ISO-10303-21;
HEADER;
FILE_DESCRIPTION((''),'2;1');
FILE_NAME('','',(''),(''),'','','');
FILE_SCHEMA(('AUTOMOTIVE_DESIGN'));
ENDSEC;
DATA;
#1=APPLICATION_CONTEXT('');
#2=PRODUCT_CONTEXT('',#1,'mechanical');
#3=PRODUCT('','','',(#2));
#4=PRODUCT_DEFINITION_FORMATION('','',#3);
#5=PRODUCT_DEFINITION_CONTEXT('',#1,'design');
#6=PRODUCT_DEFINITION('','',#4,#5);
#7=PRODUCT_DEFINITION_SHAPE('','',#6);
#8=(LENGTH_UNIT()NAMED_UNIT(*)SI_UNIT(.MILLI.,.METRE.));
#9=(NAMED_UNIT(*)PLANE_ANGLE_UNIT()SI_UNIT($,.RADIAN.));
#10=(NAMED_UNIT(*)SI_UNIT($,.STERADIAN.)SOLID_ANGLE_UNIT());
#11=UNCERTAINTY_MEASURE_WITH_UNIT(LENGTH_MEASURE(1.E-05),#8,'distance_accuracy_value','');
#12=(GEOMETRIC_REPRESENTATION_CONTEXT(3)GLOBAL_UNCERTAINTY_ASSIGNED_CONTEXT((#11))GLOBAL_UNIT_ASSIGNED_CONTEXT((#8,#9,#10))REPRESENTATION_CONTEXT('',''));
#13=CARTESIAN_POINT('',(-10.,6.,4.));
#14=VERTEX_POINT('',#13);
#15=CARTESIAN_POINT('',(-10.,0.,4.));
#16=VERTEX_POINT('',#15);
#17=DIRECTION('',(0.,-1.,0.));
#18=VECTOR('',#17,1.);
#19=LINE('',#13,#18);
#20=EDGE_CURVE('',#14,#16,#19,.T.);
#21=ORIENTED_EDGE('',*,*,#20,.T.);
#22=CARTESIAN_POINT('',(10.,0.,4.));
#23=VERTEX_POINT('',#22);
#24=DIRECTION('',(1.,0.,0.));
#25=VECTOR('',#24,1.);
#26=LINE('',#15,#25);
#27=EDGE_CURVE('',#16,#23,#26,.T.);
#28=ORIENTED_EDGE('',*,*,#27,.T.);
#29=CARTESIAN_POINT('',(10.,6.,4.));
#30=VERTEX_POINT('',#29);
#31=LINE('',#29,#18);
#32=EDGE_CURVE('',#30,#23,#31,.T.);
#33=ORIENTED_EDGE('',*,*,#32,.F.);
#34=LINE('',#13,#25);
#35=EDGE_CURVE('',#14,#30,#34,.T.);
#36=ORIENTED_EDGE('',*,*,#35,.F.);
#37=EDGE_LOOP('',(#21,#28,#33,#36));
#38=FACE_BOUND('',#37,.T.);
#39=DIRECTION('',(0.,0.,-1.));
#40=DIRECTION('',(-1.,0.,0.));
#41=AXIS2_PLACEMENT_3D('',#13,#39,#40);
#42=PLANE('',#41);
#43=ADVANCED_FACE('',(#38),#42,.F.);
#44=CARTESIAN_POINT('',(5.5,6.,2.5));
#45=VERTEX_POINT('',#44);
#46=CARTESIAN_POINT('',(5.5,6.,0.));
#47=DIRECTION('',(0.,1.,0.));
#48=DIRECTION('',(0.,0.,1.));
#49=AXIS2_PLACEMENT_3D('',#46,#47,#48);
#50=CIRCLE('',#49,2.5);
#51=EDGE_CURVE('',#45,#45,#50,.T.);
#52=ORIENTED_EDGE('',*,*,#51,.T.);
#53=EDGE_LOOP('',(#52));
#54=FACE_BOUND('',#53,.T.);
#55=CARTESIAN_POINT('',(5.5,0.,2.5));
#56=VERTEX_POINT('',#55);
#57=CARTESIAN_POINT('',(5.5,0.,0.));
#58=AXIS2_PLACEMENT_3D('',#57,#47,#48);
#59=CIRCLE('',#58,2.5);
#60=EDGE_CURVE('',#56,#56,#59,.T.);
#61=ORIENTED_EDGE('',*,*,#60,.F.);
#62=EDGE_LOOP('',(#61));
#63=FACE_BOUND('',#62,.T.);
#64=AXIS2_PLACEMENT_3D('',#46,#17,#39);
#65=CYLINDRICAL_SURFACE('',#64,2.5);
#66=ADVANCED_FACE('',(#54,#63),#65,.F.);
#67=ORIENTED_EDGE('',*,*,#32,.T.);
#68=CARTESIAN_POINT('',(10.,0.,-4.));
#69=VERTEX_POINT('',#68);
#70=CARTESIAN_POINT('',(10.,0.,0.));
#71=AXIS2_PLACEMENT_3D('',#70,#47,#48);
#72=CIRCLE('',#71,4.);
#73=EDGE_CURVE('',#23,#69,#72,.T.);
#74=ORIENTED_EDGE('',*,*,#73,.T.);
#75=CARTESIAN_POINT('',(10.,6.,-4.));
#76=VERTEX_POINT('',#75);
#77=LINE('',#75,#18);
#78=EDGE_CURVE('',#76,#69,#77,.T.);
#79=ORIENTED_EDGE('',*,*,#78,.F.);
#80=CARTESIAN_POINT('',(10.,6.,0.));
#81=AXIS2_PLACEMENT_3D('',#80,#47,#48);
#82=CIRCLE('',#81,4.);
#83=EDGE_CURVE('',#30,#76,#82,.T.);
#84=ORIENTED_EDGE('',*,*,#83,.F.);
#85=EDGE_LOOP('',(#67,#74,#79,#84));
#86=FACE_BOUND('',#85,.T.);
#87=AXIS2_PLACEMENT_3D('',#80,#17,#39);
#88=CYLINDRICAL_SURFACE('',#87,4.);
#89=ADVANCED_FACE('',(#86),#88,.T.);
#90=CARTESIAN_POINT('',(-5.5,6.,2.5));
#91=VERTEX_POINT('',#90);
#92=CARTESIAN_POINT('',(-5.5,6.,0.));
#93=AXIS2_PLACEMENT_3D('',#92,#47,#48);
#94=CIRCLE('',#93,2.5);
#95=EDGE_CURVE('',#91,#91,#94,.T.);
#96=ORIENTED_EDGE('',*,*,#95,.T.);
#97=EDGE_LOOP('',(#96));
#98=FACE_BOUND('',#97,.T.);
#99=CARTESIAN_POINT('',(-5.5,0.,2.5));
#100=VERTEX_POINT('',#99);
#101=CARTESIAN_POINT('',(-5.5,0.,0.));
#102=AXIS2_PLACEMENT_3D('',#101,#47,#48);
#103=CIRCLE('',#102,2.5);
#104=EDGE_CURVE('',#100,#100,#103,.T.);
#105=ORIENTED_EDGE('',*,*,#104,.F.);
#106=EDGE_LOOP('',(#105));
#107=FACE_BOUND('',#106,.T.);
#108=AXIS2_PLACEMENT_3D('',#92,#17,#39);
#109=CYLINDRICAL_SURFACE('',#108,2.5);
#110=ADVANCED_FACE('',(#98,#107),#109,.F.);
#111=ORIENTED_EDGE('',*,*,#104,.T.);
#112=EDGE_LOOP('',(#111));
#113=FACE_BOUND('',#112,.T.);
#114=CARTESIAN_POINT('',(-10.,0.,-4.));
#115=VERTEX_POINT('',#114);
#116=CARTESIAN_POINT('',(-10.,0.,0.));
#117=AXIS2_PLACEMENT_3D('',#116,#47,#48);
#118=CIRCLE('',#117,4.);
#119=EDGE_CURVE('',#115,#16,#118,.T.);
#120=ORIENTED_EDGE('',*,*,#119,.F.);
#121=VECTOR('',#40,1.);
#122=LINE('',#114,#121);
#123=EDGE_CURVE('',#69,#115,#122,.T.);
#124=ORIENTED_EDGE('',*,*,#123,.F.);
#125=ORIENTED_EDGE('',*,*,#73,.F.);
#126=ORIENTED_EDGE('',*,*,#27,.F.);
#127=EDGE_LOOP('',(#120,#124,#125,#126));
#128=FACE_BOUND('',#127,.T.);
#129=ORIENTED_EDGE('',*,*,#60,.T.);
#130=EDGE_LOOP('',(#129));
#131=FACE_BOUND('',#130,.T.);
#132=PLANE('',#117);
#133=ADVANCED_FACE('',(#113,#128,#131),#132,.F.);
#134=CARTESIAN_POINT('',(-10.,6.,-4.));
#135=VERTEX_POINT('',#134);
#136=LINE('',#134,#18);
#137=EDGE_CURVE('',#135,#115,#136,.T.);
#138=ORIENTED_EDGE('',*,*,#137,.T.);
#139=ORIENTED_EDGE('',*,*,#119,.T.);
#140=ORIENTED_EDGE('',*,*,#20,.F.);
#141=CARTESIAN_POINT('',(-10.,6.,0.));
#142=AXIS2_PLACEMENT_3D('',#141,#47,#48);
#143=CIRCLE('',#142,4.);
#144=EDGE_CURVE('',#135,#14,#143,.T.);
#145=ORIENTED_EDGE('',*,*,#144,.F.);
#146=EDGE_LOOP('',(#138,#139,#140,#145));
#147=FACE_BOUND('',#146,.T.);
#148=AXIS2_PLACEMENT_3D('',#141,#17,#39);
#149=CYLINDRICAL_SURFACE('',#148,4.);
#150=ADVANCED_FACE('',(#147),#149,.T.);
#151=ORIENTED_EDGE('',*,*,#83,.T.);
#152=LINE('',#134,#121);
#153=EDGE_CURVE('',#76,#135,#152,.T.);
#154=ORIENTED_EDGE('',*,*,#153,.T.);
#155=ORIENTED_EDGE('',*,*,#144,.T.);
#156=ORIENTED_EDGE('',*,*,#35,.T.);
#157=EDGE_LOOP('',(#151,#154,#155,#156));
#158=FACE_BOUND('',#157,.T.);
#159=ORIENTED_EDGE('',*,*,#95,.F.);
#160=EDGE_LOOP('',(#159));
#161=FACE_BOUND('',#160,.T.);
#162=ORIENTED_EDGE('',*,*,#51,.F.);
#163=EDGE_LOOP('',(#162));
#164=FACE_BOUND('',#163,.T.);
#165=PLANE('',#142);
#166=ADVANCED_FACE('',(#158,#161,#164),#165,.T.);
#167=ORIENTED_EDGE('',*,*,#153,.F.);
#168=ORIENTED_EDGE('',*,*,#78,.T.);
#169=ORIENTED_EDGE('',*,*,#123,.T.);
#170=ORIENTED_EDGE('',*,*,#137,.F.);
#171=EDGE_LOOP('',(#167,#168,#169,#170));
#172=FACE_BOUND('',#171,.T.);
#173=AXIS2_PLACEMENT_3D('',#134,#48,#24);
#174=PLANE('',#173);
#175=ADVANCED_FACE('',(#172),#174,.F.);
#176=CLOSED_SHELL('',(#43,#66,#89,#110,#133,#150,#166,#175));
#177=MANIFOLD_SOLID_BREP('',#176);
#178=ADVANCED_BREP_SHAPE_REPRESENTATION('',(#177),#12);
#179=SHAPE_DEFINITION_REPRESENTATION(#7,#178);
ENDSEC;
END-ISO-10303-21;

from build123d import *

# Parameters (mm, degrees)
SKETCH2_R           = 2.5
BOSS_EXTRUDE1_DEPTH = 6


with BuildPart() as part:
    # Sketch2 → Boss-Extrude1 (new body)
    with BuildSketch(Plane(origin=(0, 0, 0), x_dir=(1, 0, 0), z_dir=(0, 1, 0))):
        with BuildLine():
            Line((-10, 4), (10, 4))
            ThreePointArc((10, 4), (14, 0), (10, -4))
            Line((10, -4), (-10, -4))
            ThreePointArc((-10, -4), (-14, 0), (-10, 4))
        make_face()
        with Locations((-5.5, 0)):
            Circle(SKETCH2_R, mode=Mode.SUBTRACT)
        with Locations((5.5, 0)):
            Circle(SKETCH2_R, mode=Mode.SUBTRACT)
    extrude(amount=BOSS_EXTRUDE1_DEPTH)


solid = part.part
